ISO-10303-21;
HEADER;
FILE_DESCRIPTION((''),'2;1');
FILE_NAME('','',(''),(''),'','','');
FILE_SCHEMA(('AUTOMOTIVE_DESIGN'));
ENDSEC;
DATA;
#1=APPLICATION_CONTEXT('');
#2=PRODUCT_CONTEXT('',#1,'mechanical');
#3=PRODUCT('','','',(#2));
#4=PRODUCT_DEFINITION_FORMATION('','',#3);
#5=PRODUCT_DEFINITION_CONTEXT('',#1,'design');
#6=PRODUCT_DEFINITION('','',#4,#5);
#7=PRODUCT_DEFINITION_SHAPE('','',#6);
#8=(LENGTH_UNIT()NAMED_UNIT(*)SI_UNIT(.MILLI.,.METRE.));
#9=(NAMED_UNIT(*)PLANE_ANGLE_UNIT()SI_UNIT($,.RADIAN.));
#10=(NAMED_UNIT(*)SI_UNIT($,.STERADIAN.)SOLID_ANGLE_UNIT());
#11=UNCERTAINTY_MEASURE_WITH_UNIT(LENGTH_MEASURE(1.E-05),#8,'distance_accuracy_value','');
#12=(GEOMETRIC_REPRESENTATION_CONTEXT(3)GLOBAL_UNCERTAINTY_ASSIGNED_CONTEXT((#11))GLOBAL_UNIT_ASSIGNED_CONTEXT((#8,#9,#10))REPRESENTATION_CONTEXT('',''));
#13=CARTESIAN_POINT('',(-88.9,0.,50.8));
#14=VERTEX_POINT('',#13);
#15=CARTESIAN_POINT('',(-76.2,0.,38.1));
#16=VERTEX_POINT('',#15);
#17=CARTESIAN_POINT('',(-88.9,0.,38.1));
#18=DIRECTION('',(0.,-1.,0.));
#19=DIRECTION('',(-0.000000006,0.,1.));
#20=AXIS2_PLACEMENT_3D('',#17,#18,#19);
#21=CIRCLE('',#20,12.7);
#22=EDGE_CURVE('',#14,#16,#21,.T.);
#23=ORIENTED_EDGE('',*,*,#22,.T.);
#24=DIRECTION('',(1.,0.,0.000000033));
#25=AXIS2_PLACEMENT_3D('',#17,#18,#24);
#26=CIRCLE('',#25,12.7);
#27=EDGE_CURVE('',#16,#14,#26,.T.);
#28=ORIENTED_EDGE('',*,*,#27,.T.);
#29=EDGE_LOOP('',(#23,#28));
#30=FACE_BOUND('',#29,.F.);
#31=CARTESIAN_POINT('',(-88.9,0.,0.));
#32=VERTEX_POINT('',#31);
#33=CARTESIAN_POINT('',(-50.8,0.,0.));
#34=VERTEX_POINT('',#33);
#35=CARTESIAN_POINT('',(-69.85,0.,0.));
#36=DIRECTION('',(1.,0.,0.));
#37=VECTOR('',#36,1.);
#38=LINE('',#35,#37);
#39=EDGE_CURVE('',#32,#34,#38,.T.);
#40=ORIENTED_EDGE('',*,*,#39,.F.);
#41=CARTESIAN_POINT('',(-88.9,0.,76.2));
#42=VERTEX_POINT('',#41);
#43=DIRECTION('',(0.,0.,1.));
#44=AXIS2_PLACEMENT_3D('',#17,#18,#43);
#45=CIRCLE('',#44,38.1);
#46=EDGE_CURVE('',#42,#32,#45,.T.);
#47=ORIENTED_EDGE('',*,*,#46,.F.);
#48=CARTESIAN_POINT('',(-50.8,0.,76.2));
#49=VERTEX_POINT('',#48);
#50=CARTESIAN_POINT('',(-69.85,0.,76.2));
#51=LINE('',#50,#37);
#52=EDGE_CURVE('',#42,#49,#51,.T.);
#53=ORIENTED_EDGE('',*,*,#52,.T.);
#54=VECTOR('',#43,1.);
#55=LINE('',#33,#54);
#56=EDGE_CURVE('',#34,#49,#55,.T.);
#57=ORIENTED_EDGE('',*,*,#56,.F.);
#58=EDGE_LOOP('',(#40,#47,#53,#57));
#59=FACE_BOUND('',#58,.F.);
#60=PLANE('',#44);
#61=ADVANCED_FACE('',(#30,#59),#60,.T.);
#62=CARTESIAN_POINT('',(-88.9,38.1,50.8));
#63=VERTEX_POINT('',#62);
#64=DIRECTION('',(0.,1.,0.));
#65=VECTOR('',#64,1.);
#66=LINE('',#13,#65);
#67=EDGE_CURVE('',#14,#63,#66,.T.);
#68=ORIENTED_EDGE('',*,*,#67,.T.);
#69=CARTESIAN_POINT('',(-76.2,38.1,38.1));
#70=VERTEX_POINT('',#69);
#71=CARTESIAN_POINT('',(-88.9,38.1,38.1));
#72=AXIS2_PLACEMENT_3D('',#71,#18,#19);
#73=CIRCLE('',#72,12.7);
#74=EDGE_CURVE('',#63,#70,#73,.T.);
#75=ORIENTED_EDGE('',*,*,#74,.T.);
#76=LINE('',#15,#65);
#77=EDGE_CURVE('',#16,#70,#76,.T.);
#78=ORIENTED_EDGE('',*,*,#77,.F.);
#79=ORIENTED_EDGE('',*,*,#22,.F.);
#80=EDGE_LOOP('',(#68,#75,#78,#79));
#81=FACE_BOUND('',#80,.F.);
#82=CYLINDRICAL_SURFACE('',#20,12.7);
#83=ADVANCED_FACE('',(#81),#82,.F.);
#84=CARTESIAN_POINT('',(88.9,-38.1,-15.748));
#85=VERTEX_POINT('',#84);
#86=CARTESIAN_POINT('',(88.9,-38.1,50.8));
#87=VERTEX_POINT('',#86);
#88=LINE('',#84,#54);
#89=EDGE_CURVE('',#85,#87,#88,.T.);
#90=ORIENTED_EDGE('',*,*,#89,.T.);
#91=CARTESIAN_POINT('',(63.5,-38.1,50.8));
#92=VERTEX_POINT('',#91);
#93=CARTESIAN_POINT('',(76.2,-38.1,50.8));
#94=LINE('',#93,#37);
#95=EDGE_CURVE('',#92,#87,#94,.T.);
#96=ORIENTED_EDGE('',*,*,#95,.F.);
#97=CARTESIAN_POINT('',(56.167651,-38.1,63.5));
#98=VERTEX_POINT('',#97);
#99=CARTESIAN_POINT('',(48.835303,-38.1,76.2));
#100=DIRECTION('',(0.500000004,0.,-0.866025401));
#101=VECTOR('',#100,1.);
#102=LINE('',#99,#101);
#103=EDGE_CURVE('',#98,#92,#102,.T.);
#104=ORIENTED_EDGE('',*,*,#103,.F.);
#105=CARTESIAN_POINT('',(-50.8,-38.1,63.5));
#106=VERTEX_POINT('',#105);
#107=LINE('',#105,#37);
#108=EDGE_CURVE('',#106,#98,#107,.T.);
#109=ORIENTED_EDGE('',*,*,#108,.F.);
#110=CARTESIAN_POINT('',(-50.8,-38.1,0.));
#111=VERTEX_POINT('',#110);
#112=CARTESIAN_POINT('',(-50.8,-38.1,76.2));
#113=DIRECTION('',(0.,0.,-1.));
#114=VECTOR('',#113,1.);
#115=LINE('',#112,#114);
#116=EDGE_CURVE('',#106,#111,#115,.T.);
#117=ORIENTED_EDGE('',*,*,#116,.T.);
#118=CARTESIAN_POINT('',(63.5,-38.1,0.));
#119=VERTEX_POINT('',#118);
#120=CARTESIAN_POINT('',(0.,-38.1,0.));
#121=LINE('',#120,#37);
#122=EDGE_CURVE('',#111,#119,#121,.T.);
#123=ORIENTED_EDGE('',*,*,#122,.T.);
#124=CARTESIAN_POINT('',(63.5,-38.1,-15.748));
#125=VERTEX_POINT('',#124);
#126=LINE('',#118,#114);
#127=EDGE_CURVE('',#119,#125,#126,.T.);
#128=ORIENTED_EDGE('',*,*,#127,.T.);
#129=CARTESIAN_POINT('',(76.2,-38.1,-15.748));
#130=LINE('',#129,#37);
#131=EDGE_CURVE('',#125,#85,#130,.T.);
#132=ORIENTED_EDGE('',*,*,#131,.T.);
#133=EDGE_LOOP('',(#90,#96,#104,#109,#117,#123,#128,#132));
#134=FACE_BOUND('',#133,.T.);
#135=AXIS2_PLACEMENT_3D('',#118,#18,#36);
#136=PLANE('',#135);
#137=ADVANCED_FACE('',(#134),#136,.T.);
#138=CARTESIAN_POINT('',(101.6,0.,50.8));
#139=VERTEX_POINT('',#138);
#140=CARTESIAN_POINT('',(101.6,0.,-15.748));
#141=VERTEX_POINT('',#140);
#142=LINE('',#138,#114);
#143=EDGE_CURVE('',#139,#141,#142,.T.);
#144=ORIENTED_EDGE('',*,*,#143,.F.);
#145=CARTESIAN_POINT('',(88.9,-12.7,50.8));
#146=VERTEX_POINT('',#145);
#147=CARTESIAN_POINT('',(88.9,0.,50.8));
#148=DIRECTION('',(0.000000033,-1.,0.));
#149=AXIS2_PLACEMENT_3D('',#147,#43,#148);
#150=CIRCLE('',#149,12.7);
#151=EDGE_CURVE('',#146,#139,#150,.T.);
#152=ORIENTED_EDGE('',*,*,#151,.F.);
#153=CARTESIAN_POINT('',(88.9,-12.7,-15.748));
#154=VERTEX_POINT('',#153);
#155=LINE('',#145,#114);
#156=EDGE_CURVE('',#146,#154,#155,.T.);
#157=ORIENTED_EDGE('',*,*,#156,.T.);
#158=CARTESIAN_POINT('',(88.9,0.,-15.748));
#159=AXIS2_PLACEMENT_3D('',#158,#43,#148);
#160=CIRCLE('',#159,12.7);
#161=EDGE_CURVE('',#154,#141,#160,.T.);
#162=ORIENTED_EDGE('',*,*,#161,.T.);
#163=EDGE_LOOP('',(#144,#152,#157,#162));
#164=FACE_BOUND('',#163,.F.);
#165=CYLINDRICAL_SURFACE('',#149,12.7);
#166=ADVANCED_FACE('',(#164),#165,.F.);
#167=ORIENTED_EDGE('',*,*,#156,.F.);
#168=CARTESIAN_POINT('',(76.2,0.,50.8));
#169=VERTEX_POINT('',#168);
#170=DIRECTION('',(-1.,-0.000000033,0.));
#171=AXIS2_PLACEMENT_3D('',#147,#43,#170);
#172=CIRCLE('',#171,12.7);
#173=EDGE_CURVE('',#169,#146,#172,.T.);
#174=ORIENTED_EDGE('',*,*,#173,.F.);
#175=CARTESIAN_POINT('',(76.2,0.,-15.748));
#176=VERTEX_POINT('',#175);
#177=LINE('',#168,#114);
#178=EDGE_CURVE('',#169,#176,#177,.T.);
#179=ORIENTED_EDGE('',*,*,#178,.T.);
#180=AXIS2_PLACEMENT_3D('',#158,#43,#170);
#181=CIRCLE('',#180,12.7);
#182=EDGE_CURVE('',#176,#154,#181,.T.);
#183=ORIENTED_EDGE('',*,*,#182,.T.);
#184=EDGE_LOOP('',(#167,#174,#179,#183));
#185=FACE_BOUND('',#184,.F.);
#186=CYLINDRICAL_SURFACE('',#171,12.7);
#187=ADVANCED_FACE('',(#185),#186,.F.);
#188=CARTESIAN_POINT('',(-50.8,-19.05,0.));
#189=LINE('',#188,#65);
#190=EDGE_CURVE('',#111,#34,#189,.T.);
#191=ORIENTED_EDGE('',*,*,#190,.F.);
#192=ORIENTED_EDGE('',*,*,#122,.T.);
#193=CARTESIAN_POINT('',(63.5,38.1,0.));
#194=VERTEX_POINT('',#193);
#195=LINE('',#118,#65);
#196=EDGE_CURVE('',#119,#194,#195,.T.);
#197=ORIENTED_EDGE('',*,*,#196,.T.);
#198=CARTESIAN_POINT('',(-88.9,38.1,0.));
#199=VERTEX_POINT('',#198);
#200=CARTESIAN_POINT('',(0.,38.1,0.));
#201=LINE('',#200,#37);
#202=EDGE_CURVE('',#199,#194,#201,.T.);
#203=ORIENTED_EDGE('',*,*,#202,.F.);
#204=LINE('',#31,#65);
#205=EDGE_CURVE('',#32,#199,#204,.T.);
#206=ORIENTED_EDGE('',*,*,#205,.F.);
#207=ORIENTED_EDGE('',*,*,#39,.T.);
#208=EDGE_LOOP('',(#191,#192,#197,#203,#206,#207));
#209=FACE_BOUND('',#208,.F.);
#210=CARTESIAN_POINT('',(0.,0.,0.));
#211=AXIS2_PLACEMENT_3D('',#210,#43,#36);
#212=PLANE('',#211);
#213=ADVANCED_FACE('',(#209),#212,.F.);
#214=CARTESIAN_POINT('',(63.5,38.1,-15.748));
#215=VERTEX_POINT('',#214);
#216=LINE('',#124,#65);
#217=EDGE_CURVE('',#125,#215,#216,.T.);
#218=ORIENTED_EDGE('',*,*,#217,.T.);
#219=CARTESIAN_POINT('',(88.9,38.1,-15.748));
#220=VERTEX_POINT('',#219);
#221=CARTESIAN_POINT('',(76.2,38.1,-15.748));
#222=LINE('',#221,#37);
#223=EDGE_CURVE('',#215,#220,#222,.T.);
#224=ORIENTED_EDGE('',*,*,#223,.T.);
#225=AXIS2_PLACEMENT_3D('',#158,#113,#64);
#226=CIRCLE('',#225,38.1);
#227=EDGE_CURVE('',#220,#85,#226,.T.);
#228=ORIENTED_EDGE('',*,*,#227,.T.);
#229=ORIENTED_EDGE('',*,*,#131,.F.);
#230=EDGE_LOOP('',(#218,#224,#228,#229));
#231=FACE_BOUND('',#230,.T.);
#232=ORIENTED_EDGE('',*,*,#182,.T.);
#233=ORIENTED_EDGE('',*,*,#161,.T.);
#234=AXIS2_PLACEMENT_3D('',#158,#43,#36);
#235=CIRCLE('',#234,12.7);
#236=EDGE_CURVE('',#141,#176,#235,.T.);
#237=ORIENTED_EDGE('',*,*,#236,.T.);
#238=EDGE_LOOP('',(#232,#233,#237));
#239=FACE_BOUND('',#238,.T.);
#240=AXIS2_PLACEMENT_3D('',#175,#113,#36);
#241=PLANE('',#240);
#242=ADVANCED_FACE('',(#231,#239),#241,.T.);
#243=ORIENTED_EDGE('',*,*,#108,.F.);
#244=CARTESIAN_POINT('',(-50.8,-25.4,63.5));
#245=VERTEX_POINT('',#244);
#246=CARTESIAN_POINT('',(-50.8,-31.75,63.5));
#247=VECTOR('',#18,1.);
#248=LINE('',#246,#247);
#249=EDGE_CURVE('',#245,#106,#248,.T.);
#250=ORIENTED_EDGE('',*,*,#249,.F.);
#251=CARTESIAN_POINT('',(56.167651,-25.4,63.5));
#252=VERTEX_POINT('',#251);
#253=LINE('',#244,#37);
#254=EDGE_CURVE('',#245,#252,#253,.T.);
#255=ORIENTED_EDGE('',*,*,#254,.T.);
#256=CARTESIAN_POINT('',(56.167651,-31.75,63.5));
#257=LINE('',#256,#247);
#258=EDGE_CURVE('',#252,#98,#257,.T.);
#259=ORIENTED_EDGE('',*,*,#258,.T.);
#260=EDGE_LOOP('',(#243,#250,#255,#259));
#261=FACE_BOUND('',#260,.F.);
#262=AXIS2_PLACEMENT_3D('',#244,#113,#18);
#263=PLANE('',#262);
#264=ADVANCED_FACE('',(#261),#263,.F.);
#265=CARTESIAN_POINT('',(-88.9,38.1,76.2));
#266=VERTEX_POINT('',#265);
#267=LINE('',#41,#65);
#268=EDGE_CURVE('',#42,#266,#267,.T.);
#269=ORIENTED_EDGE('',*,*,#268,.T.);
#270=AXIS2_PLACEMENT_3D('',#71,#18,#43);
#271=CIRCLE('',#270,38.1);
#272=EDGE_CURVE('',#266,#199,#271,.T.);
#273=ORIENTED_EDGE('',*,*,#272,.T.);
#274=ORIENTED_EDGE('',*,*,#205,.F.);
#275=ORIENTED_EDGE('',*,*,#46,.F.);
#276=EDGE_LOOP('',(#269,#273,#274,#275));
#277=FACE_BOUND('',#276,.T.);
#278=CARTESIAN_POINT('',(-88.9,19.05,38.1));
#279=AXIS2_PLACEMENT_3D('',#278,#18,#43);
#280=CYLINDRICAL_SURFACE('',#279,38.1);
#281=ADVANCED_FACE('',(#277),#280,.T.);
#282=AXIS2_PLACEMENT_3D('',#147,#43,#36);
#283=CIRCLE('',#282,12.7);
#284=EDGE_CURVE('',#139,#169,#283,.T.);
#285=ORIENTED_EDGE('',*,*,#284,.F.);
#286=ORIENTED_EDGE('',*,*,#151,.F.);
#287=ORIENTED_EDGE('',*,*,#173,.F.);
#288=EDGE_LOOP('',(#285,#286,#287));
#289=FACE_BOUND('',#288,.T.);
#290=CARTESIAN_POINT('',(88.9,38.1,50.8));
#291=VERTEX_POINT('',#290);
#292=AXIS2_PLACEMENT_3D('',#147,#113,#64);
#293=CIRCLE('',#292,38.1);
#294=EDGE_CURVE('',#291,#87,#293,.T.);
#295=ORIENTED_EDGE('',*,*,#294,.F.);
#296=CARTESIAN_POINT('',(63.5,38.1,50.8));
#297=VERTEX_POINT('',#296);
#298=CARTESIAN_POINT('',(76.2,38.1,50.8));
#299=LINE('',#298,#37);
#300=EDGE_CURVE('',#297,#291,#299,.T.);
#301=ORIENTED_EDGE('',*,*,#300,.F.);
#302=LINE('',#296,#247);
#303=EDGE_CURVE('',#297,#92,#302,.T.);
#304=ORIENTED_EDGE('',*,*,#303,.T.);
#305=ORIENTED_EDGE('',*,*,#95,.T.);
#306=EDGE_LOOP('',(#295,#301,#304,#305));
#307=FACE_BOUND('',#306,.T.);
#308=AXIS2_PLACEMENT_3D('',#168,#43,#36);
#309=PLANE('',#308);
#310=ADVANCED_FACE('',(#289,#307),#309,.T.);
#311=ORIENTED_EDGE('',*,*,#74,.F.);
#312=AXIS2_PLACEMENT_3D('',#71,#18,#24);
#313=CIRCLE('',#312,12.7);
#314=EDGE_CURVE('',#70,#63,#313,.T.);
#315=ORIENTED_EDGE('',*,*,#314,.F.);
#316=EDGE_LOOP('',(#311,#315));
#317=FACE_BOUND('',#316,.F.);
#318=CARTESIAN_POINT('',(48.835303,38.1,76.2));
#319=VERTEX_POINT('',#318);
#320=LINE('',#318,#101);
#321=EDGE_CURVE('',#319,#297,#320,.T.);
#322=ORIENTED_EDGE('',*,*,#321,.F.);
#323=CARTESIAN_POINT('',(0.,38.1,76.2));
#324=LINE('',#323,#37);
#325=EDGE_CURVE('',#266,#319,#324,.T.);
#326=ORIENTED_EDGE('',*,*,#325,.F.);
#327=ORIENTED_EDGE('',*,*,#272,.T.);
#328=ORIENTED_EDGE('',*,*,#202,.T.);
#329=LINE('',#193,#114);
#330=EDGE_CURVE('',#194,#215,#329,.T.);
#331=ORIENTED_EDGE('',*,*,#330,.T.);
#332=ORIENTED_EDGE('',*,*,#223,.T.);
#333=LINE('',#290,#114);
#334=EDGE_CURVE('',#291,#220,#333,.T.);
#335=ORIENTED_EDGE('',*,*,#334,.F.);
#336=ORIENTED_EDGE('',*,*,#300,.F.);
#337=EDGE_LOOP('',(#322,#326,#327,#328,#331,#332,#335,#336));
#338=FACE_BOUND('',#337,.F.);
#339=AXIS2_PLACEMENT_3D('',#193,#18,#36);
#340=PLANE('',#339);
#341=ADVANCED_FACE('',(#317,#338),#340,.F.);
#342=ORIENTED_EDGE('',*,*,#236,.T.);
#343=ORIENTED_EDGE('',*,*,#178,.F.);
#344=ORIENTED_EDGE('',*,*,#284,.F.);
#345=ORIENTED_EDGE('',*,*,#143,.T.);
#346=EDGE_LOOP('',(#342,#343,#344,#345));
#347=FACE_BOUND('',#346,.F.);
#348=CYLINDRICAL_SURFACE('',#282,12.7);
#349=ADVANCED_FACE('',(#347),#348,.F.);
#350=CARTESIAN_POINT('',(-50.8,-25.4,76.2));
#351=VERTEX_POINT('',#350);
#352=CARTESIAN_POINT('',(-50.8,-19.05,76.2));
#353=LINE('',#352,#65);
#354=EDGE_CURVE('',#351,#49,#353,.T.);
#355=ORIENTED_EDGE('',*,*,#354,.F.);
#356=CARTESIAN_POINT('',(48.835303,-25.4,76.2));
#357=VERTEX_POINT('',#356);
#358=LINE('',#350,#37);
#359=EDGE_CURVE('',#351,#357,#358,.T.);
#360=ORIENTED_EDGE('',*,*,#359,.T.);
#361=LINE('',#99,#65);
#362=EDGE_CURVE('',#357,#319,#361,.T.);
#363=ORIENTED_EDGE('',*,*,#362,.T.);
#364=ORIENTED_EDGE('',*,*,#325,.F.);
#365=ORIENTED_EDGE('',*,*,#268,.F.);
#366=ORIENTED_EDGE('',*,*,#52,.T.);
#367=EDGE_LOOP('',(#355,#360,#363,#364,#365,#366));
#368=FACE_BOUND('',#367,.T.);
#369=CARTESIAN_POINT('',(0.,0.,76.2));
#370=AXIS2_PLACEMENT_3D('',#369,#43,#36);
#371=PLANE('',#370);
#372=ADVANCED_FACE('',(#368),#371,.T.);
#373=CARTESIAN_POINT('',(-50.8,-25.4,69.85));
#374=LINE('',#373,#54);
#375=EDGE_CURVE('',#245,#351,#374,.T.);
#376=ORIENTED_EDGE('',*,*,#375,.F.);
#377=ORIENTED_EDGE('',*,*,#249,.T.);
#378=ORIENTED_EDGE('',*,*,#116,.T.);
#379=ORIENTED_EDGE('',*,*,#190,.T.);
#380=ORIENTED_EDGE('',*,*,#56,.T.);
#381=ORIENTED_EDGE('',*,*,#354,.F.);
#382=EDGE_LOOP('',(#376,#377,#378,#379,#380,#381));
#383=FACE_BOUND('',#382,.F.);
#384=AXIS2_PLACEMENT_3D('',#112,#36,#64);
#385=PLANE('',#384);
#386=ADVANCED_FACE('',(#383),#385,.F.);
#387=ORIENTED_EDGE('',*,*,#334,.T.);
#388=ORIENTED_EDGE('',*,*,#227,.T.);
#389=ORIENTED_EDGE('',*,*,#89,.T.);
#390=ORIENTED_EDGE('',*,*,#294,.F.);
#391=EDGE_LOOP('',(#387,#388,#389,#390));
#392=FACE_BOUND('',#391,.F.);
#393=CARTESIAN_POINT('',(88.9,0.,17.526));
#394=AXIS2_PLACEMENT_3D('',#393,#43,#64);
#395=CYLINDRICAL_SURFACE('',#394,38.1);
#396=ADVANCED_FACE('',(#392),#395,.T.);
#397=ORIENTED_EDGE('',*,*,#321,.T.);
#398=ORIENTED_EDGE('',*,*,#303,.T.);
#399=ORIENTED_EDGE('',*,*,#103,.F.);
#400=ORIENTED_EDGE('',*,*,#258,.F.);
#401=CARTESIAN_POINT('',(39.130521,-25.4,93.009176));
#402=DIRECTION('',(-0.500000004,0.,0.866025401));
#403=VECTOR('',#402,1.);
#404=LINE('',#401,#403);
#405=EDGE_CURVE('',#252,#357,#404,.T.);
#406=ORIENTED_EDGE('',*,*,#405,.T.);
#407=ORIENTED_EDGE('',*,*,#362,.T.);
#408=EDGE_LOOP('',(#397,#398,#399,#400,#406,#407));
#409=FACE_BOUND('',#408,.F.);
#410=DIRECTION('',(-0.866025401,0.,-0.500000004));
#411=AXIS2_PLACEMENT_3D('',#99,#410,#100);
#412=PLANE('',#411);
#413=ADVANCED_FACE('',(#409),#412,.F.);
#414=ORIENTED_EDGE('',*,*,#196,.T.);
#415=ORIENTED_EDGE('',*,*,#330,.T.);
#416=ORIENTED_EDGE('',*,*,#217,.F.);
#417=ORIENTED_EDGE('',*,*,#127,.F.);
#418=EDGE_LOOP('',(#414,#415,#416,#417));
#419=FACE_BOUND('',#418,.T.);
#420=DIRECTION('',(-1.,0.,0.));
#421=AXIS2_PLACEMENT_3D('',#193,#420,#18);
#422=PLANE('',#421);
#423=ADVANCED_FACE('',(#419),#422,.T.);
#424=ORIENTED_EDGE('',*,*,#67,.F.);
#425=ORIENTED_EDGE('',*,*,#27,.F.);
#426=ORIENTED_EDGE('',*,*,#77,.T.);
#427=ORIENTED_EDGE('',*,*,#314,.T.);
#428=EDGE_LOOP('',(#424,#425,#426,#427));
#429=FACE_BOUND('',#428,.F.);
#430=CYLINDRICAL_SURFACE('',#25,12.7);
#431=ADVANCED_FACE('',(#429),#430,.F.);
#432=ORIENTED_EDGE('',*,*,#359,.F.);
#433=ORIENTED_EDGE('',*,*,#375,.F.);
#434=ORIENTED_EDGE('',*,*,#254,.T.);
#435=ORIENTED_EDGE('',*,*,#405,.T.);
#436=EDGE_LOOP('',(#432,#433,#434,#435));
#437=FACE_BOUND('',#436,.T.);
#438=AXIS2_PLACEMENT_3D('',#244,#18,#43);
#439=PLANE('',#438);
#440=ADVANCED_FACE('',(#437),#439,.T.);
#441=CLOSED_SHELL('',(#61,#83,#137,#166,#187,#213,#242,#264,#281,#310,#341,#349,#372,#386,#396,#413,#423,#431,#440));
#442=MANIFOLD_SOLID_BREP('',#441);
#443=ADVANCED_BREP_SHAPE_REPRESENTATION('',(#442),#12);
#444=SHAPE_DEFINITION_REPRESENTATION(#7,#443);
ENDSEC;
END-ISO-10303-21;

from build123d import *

# Parameters (mm, degrees)
F0_W      = 177.8
F0_H      = 76.2
F1_DEPTH  = 76.2
F2_W      = 38.1
F2_H      = 38.1
F3_DEPTH  = 76.2
F4_W      = 25.4
F4_H      = 76.2
F5_DEPTH  = 25.4
F6_W      = 25.4
F6_H      = 76.2
F7_DEPTH  = 15.748
F8_W      = 38.1
F8_H      = 38.1
F10_W     = 38.1
F10_H     = 66.548
F13_DEPTH = 76.2
F15_DEPTH = 101.6
F17_DEPTH = 15.748
F19_DEPTH = 38.1
F20_W     = 12.7
F20_H     = 12.7
F21_DEPTH = 127


with BuildPart() as f1:
    # F0 (on Top) → F1 (new body)
    with BuildSketch(Plane.XY):
        Rectangle(F0_W, F0_H)
    extrude(amount=F1_DEPTH)

    # F2 (on face) → F3 (cut)
    with BuildSketch(Plane.XY.offset(76.2)):
        with Locations((-69.85, -19.05)):
            Rectangle(F2_W, F2_H)
    extrude(amount=-F3_DEPTH, mode=Mode.SUBTRACT)

    # F4 (on face) → F5 (cut)
    with BuildSketch(Plane.XY.offset(76.2)):
        with Locations((76.2, 0)):
            Rectangle(F4_W, F4_H)
    extrude(amount=-F5_DEPTH, mode=Mode.SUBTRACT)

    # F6 (on face) → F7 (join)
    with BuildSketch(Plane(origin=(0, 0, 0), x_dir=(1, 0, 0), z_dir=(0, 0, -1))):
        with Locations((76.2, 0)):
            Rectangle(F6_W, F6_H)
    extrude(amount=F7_DEPTH)

    # F8 (on face) → F9 (revolve)
    with BuildSketch(Plane(origin=(-88.9, 0, 0), x_dir=(0, -1, 0), z_dir=(-1, 0, 0))):
        with Locations((-19.05, 57.15)):
            Rectangle(F8_W, F8_H)
    revolve(axis=Axis((-88.9, 19.05, 38.1), (0, -1, 0)))

    # F10 (on face) → F11 (revolve)
    with BuildSketch(Plane.YZ.offset(88.9)):
        with Locations((19.05, 17.526)):
            Rectangle(F10_W, F10_H)
    revolve(axis=Axis((88.9, 0, 17.526), (0, 0, -1)))

    # F12 (on face) → F13 (cut)
    with BuildSketch(Plane.XZ.offset(38.1)):
        Polygon((48.835303, 76.2), (63.5, 50.8), (63.5, 76.2), align=None)
    extrude(amount=-F13_DEPTH, mode=Mode.SUBTRACT)

    # F14 (on face) → F15 (cut)
    with BuildSketch(Plane.XY.offset(50.8)):
        with BuildLine():
            ThreePointArc((76.2, 0), (79.919744, -8.980256), (88.9, -12.7))
            Line((88.9, -12.7), (88.9, 0))
            Line((88.9, 0), (76.2, 0))
        make_face()
        with BuildLine():
            Line((88.9, 0), (88.9, -12.7))
            ThreePointArc((88.9, -12.7), (97.880256, -8.980256), (101.6, 0))
            ThreePointArc((101.6, 0), (88.9, 12.7), (76.2, 0))
            Line((76.2, 0), (88.9, 0))
        make_face()
    extrude(amount=-F15_DEPTH, mode=Mode.SUBTRACT)

    # F16 (on face) → F17 (cut)
    with BuildSketch(Plane(origin=(0, 0, -15.748), x_dir=(1, 0, 0), z_dir=(0, 0, -1))):
        with BuildLine():
            Line((63.5, -28.398063), (63.5, 28.398063))
            ThreePointArc((63.5, 28.398063), (50.8, 0), (63.5, -28.398063))
        make_face()
    extrude(amount=-F17_DEPTH, mode=Mode.SUBTRACT)

    # F18 (on face) → F19 (cut)
    with BuildSketch(Plane.XZ):
        with BuildLine():
            ThreePointArc((-76.2, 38.1), (-79.919744, 47.080256), (-88.9, 50.8))
            Line((-88.9, 50.8), (-88.9, 38.1))
            Line((-88.9, 38.1), (-76.2, 38.1))
        make_face()
        with BuildLine():
            Line((-88.9, 38.1), (-88.9, 50.8))
            ThreePointArc((-88.9, 50.8), (-97.880256, 29.119744), (-76.2, 38.1))
            Line((-76.2, 38.1), (-88.9, 38.1))
        make_face()
    extrude(amount=-F19_DEPTH, mode=Mode.SUBTRACT)

    # F20 (on face) → F21 (cut)
    with BuildSketch(Plane(origin=(-50.8, 0, 0), x_dir=(0, -1, 0), z_dir=(-1, 0, 0))):
        with Locations((31.75, 69.85)):
            Rectangle(F20_W, F20_H)
    extrude(amount=-F21_DEPTH, mode=Mode.SUBTRACT)


solid = f1.part
